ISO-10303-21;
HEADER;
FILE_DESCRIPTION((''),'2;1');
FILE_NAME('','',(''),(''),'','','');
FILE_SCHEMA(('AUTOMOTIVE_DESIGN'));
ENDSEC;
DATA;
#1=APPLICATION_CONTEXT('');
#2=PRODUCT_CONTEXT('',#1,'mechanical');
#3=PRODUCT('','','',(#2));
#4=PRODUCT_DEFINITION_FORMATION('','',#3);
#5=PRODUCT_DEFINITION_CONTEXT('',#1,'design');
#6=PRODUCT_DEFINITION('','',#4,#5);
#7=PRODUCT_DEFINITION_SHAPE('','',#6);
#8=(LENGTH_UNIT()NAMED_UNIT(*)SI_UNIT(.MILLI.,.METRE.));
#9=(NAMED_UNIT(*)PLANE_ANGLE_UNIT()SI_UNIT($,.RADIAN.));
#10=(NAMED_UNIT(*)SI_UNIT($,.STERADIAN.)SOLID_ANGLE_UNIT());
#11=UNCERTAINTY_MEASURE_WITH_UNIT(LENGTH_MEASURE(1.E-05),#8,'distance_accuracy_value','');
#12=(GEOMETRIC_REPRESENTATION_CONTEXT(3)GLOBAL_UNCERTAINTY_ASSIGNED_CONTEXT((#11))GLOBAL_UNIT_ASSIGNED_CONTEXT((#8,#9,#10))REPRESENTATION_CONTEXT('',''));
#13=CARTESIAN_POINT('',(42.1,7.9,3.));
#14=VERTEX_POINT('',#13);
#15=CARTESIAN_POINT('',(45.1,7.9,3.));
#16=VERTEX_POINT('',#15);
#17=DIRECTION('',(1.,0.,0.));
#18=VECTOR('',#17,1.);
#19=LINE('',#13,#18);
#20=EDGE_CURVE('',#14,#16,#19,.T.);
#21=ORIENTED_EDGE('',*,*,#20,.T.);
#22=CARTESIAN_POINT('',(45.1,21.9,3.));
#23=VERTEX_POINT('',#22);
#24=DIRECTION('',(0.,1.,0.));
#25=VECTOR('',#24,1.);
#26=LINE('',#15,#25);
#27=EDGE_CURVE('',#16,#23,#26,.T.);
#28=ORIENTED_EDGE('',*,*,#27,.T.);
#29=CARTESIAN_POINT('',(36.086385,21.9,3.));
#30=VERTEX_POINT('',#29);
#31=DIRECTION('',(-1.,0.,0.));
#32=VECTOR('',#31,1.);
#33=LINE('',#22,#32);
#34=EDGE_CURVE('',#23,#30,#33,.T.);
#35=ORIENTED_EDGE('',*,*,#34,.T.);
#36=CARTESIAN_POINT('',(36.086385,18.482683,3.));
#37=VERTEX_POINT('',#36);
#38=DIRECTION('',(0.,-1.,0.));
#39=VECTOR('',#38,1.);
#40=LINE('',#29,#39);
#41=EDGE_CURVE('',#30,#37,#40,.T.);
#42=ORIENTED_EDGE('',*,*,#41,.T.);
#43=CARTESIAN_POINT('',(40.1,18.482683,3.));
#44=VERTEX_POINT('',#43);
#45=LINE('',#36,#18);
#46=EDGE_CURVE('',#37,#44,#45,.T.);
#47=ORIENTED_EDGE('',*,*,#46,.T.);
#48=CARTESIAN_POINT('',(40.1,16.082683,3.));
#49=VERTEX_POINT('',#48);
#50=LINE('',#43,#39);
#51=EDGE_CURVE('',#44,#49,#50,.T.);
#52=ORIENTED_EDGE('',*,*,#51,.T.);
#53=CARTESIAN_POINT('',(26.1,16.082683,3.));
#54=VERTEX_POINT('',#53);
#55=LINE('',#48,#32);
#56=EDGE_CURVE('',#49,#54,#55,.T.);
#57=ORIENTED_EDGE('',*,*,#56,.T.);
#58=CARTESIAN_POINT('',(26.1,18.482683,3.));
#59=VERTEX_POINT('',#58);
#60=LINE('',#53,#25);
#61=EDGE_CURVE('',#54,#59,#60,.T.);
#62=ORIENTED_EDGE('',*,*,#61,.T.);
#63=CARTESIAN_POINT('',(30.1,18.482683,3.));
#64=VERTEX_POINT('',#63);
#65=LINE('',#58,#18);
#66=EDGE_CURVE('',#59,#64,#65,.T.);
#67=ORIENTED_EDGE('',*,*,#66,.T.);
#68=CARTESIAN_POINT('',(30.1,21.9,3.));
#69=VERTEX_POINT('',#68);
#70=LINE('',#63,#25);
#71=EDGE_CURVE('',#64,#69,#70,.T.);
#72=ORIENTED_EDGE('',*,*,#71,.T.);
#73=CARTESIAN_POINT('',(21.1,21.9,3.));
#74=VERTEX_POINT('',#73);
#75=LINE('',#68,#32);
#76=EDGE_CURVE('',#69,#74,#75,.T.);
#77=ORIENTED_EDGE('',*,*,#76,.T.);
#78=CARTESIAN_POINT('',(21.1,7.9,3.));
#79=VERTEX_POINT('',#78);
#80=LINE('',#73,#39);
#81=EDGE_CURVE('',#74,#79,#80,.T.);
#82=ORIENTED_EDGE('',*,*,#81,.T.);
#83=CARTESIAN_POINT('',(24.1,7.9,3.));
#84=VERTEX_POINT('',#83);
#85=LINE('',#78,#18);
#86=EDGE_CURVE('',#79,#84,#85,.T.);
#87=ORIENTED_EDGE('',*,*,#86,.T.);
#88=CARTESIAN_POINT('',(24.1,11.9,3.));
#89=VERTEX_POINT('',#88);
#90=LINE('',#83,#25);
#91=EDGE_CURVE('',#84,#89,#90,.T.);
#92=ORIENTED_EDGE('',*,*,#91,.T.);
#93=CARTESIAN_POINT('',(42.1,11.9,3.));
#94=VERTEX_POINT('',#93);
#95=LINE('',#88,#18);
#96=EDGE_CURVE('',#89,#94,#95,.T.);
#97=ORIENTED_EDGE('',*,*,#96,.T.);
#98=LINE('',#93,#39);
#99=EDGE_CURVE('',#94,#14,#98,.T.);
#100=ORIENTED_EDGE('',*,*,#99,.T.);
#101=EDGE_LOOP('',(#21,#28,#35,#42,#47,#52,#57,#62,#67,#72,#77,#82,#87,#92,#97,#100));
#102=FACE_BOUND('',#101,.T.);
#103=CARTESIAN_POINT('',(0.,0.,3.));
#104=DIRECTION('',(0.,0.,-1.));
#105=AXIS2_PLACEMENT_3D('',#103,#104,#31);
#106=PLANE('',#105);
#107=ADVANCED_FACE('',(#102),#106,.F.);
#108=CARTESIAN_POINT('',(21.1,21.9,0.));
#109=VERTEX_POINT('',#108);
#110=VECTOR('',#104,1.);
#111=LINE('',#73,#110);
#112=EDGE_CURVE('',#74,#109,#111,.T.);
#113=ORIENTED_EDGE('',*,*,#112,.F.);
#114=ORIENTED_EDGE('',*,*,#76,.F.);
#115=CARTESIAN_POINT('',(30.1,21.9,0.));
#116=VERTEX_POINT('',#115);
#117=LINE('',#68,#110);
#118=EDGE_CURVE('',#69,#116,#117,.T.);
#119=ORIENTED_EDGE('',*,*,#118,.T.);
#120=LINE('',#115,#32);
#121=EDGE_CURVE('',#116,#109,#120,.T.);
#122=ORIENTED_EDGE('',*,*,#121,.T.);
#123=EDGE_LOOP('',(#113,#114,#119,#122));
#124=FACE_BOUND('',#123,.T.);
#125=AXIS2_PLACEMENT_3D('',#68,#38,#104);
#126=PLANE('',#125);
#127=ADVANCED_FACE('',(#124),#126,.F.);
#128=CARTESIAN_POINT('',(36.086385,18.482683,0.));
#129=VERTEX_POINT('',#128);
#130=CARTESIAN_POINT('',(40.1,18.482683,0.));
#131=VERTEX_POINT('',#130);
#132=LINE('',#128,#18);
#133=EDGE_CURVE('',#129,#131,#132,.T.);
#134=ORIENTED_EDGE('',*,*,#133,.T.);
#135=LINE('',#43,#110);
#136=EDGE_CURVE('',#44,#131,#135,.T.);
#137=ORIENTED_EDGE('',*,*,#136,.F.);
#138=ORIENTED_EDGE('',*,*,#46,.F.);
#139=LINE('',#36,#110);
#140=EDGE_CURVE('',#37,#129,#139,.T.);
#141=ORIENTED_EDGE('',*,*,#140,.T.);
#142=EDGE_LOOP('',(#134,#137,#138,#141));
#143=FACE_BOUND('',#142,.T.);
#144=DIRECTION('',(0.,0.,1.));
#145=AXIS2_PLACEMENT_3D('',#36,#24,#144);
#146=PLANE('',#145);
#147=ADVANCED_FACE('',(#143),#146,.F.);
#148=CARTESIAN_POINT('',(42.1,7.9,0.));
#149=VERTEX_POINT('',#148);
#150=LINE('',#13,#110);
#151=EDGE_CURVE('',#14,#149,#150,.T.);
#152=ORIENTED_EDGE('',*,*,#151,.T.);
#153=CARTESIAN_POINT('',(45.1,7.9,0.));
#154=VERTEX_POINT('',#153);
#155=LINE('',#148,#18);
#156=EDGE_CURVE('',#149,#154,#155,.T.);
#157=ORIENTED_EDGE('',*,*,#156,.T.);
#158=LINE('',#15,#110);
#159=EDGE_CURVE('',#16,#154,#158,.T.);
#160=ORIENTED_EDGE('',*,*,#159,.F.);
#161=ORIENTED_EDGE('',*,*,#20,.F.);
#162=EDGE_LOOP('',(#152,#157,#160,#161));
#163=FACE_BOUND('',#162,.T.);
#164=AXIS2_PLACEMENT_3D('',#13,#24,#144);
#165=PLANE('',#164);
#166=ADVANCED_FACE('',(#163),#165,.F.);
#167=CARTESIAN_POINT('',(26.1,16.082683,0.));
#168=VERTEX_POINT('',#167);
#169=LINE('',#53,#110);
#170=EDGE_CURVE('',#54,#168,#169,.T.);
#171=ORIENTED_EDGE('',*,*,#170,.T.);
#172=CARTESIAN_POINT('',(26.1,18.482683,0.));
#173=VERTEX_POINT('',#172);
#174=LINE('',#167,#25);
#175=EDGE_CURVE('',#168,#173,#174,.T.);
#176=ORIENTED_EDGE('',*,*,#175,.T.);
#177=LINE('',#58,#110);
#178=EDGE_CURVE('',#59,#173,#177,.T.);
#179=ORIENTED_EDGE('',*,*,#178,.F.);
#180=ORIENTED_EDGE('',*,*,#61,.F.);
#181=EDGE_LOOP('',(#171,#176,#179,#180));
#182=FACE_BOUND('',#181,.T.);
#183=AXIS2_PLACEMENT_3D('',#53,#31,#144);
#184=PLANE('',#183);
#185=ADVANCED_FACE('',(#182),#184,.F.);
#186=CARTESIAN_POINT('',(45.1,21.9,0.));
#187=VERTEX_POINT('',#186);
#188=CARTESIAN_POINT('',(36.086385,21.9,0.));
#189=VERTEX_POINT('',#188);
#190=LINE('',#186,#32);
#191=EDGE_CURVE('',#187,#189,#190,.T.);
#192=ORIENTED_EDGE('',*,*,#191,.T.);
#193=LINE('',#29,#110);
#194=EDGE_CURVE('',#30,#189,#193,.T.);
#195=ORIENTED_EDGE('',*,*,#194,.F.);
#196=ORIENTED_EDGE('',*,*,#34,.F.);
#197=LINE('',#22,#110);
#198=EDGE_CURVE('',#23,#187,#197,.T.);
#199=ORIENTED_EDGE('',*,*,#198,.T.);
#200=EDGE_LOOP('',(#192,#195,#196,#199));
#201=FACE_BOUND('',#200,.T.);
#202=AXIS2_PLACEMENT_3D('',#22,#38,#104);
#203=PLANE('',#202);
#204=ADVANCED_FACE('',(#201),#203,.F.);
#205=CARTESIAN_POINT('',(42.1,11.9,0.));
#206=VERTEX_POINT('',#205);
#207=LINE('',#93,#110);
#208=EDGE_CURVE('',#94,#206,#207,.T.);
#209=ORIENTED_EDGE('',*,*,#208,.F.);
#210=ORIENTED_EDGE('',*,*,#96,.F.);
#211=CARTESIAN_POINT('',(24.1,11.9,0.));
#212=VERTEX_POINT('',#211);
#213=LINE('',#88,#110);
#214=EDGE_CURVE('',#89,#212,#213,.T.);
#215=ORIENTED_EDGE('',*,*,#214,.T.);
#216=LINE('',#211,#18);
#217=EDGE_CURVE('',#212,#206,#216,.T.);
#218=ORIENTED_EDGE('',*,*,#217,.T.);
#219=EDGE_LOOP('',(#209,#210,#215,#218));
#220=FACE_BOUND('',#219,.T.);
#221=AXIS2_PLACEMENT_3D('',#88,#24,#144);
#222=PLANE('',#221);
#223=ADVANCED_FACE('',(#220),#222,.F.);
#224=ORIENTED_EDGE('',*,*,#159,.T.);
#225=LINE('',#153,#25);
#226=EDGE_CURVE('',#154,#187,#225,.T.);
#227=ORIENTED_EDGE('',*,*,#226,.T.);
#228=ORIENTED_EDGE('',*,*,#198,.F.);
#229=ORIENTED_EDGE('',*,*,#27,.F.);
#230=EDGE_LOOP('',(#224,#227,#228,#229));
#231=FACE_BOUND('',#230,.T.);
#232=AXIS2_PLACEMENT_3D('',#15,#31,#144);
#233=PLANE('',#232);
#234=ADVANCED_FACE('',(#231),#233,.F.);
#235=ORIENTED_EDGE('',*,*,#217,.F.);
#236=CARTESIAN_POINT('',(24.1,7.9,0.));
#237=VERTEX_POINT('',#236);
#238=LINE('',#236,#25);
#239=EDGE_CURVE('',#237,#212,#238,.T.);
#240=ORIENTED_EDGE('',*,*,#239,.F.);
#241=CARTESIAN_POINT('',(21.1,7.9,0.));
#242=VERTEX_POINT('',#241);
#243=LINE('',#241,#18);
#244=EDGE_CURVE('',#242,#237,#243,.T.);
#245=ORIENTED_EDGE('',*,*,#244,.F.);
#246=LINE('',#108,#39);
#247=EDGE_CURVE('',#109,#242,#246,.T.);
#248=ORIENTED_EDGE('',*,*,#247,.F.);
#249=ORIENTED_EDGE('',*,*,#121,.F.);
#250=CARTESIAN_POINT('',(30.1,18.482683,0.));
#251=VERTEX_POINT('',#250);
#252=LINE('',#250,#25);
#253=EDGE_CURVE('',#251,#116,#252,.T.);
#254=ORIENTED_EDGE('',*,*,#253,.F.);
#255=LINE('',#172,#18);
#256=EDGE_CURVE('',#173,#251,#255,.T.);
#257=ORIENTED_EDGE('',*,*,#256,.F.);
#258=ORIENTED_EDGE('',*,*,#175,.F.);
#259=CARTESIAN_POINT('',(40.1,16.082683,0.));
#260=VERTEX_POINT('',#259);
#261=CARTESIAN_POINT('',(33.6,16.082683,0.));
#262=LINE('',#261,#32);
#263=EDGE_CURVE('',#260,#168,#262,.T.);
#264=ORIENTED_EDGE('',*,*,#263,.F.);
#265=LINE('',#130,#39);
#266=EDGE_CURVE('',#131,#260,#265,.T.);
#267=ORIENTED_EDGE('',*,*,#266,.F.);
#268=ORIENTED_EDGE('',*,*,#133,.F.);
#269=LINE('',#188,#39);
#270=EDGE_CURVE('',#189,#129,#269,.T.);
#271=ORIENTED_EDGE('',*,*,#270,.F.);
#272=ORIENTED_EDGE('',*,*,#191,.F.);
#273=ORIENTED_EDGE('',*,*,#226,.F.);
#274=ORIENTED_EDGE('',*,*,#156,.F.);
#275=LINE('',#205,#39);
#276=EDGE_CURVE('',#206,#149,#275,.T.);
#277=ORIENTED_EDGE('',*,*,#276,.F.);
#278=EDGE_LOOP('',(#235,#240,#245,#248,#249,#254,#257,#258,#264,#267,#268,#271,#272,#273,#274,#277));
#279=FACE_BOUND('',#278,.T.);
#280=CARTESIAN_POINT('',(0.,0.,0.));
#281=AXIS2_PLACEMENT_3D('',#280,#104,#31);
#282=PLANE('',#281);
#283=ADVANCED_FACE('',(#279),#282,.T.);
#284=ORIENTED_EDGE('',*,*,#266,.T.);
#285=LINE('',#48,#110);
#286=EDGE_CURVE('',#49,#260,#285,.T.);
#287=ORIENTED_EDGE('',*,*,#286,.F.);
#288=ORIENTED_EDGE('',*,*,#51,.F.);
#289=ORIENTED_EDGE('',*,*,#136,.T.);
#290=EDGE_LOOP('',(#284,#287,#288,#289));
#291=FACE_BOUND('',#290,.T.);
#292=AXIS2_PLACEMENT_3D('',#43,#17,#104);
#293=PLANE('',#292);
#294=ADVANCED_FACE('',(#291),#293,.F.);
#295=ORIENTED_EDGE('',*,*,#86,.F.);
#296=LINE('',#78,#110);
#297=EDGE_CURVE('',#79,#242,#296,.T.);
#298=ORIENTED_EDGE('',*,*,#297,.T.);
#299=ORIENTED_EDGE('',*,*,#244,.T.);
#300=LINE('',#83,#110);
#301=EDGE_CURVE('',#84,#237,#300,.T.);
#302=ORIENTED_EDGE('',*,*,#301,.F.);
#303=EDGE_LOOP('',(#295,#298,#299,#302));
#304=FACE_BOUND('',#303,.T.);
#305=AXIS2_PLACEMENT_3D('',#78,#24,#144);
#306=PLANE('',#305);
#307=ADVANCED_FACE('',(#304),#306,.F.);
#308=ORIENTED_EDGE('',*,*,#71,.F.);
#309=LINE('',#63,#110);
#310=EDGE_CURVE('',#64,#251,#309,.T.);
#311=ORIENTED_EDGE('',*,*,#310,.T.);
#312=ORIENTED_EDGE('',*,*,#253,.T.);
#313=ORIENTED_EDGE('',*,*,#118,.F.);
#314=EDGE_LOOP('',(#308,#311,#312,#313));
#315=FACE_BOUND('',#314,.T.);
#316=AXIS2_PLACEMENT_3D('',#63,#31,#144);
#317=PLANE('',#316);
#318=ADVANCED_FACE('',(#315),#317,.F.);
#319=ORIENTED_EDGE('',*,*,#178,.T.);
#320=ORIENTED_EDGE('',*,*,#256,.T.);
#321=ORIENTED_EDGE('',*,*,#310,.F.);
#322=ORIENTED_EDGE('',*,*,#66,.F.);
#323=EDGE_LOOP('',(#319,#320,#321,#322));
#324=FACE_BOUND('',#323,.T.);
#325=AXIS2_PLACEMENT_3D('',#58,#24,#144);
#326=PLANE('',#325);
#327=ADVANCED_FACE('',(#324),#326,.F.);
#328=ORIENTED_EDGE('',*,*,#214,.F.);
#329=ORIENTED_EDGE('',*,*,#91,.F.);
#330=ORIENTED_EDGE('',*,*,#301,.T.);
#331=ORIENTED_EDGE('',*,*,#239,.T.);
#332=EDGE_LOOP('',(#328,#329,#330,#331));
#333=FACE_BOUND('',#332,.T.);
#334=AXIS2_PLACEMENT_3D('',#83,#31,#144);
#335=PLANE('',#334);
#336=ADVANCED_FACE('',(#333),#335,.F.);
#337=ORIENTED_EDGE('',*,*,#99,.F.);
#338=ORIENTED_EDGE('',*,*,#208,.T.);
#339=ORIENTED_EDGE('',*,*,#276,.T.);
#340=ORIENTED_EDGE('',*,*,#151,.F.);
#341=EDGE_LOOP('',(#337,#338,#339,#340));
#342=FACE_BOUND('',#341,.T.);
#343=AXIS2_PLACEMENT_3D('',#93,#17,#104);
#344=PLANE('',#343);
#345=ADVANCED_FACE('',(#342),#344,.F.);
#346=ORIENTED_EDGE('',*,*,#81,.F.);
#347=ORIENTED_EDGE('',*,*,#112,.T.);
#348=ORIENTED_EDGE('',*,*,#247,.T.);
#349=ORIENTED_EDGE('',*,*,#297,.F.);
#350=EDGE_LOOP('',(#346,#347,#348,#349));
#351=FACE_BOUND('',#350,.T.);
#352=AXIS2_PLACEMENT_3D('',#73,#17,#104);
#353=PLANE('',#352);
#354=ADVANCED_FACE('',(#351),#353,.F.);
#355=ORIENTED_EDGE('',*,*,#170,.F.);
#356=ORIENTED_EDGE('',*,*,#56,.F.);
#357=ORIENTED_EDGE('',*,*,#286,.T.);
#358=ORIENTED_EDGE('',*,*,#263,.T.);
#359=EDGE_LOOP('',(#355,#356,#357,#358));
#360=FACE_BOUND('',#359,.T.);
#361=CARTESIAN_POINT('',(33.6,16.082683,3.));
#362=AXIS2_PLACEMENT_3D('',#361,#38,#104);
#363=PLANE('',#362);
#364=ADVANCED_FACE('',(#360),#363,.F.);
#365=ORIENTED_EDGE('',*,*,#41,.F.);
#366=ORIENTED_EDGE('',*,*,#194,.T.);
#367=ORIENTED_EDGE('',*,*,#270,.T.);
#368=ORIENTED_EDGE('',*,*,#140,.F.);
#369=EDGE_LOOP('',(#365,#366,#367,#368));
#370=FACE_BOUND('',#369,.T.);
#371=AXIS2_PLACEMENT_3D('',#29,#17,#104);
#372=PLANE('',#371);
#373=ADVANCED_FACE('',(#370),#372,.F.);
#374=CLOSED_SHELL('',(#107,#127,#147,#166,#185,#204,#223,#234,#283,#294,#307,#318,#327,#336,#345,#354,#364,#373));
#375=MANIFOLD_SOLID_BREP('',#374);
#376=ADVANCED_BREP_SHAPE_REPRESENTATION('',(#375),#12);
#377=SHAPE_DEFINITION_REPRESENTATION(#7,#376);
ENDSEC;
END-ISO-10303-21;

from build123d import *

# Parameters (mm, degrees)
SALIENTE_EXTRUIR1_DEPTH = 3


with BuildPart() as part:
    # Model → Saliente-Extruir1 (new body)
    with BuildSketch(Plane.XY):
        Polygon((33.6, 16.082683294), (26.1, 16.082683294), (26.1, 18.482683294), (30.1, 18.482683294), (30.1, 21.9), (21.1, 21.9), (21.1, 7.9), (24.1, 7.9), (24.1, 11.9), (42.1, 11.9), (42.1, 7.9), (45.1, 7.9), (45.1, 21.9), (36.086385402, 21.9), (36.086385402, 18.482683294), (40.1, 18.482683294), (40.1, 16.082683294), align=None)
    extrude(amount=SALIENTE_EXTRUIR1_DEPTH)


solid = part.part
